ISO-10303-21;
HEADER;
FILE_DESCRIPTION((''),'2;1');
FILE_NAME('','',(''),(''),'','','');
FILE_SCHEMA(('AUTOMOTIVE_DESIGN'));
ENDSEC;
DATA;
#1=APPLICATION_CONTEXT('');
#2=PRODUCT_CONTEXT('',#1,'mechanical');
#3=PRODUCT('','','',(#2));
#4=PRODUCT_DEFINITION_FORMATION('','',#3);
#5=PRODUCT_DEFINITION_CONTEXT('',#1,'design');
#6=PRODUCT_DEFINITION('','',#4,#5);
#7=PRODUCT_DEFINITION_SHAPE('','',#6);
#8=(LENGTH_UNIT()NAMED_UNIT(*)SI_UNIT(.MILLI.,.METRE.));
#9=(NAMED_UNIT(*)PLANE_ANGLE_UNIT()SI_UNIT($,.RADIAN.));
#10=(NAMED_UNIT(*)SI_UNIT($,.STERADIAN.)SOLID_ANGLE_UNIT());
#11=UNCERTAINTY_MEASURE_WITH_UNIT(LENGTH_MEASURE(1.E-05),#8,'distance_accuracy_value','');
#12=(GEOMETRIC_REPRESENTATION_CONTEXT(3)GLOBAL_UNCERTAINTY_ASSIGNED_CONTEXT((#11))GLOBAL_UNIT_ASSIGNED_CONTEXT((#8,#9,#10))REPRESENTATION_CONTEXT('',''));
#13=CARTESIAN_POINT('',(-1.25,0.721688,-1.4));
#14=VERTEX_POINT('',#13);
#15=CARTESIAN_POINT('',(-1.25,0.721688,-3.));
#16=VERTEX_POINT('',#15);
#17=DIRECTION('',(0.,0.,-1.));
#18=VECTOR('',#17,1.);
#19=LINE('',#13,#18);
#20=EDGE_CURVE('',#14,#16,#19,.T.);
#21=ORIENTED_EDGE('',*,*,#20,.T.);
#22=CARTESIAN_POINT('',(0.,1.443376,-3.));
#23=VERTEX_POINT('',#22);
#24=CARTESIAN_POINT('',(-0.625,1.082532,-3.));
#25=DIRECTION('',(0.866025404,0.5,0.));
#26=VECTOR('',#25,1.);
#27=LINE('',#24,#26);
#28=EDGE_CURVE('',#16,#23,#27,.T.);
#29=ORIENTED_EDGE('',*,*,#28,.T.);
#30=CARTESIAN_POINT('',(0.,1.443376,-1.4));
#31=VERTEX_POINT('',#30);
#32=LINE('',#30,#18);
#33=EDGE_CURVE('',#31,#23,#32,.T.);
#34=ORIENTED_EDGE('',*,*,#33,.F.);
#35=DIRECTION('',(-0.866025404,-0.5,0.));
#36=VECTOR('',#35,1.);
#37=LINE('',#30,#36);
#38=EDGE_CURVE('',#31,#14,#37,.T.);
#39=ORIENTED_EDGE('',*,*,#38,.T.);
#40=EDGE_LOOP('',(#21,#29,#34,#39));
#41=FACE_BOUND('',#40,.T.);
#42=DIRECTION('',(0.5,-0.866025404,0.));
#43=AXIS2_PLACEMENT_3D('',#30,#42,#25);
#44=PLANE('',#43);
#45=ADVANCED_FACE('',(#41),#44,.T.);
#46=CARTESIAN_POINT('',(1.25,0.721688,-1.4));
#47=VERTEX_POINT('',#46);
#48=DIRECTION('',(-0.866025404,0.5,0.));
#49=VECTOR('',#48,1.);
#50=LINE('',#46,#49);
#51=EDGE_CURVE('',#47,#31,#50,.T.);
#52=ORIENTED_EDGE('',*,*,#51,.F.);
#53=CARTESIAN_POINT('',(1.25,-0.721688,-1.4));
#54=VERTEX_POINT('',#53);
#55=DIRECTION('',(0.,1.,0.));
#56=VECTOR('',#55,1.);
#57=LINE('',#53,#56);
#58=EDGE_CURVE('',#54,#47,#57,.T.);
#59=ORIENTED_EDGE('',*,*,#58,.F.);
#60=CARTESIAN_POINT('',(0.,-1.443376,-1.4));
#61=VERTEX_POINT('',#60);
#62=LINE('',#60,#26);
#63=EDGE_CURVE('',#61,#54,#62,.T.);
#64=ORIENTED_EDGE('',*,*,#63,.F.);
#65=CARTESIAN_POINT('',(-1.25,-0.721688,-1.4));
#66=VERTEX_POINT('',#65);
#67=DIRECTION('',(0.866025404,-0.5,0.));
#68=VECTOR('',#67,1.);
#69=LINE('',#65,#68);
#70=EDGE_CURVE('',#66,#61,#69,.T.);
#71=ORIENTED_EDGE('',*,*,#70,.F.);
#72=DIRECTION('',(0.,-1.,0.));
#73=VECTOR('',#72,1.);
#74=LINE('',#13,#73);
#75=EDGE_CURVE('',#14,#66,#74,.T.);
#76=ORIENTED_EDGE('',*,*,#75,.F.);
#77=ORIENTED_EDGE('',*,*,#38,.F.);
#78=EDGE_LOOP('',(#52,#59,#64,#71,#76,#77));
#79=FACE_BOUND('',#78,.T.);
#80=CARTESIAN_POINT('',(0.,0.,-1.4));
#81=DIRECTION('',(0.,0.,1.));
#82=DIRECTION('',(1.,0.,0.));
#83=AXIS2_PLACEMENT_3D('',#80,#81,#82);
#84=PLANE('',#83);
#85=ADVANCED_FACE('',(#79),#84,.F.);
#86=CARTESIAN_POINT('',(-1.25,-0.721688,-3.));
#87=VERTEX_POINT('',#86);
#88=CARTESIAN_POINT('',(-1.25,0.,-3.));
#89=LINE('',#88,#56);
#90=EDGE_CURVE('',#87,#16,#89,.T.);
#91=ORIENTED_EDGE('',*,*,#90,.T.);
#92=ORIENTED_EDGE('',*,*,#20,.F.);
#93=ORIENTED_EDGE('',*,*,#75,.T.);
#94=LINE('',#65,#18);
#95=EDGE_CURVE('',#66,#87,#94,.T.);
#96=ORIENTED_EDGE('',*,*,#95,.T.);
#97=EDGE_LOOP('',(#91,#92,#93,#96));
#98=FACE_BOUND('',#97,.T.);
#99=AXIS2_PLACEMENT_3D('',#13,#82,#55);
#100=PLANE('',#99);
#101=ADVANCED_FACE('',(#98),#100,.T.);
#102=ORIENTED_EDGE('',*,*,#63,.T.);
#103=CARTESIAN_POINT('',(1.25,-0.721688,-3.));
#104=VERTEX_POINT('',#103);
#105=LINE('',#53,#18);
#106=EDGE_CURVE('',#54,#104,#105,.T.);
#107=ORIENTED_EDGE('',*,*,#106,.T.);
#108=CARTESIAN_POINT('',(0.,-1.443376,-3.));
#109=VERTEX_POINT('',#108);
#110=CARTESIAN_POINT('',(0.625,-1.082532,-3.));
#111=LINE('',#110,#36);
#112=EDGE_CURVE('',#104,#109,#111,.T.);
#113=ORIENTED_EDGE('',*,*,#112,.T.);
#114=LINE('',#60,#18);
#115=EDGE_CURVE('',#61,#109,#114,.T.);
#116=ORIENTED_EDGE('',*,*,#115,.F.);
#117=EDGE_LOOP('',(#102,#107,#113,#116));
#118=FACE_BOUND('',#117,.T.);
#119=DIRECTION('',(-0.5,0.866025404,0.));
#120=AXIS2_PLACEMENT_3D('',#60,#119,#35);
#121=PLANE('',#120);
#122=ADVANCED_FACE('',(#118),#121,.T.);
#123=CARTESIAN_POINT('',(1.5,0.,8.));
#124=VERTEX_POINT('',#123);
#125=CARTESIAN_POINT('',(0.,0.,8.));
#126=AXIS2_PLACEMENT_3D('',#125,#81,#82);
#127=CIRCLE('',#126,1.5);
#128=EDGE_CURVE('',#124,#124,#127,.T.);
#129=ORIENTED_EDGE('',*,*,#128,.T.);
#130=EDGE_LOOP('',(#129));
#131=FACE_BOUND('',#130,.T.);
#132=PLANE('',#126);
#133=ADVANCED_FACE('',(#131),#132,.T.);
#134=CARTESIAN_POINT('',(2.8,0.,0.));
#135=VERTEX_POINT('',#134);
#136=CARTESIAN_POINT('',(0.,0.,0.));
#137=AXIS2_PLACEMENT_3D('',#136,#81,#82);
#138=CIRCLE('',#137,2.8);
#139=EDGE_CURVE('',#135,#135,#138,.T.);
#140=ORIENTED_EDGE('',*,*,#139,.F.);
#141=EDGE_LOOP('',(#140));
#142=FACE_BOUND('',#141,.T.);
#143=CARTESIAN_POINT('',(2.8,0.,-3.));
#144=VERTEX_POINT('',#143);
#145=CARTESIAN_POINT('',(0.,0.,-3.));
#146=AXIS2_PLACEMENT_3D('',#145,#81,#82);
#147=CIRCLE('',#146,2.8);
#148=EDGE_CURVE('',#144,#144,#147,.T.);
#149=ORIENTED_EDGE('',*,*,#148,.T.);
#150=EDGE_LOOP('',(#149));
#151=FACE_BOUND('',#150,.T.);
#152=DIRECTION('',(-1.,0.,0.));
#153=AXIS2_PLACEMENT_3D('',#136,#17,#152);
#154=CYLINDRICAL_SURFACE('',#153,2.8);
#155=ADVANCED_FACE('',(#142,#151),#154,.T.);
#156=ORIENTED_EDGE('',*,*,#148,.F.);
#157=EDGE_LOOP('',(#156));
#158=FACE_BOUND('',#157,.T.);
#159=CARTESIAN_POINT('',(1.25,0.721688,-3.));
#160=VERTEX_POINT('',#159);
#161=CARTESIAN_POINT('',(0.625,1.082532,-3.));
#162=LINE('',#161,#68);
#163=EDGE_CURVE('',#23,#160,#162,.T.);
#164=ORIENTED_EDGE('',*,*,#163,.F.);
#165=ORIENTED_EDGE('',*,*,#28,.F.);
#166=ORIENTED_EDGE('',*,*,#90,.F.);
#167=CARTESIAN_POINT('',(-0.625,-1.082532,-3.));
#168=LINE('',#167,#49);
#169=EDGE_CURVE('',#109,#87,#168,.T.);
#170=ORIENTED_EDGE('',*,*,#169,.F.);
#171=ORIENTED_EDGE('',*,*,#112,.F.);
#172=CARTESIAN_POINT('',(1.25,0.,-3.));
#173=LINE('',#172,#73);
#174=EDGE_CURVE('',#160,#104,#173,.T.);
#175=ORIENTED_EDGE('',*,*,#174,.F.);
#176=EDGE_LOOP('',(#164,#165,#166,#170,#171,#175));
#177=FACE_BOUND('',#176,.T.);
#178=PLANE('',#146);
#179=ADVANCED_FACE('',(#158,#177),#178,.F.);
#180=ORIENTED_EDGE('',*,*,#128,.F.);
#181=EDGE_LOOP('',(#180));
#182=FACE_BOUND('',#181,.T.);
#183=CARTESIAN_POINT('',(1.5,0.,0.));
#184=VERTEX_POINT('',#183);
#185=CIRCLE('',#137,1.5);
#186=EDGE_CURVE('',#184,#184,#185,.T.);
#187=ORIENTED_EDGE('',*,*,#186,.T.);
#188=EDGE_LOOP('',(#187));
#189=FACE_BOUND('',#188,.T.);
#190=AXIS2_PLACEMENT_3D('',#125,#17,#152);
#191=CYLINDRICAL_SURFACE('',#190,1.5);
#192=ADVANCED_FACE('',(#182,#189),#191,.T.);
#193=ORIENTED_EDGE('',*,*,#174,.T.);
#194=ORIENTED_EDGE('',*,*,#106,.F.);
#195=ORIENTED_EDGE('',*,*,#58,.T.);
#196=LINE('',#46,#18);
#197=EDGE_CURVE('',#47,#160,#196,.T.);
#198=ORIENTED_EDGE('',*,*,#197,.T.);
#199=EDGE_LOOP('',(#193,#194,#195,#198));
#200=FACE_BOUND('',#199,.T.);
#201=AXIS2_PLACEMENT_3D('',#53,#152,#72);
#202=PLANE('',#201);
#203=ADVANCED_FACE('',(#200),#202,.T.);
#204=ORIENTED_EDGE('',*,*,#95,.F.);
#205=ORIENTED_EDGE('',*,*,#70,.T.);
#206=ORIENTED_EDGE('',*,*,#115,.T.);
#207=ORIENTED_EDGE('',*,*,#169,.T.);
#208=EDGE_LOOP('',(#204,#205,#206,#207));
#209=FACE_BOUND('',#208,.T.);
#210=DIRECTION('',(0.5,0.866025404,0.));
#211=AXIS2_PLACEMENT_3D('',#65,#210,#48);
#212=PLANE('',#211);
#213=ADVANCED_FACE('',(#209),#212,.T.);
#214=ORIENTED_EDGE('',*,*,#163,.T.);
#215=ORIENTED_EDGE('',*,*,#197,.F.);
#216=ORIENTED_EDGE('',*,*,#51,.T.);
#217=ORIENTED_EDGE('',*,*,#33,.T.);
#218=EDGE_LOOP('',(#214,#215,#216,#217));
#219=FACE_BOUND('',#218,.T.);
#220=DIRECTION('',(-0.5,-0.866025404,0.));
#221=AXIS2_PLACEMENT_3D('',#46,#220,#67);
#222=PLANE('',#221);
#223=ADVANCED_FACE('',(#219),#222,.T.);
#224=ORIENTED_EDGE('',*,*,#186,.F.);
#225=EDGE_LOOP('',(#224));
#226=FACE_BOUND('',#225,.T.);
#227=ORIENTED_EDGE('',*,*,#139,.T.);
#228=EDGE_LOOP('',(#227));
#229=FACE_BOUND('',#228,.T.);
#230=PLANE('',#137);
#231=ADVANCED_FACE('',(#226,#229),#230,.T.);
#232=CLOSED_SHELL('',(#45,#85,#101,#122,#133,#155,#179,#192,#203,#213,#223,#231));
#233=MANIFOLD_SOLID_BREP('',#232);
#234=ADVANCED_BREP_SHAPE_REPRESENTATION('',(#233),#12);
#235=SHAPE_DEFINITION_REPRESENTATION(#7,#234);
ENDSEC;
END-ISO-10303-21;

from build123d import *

# Parameters (mm, degrees)
HEAD_START       = -3
SKETCH1_R        = 2.8
HEAD_DEPTH       = 3
SKETCH2_R        = 1.5
SHANK_DEPTH      = 8
HEX_START        = -3.2
HEX_SOCKET_DEPTH = 1.8


with BuildPart() as part:
    # Sketch1 → Head (new body)
    with BuildSketch(Plane.XY.offset(HEAD_START)):
        Circle(SKETCH1_R)
    extrude(amount=HEAD_DEPTH)

    # Sketch2 → Shank (add)
    with BuildSketch(Plane.XY):
        Circle(SKETCH2_R)
    extrude(amount=SHANK_DEPTH)

    # Sketch3 → Hex socket (cut)
    with BuildSketch(Plane.XY.offset(HEX_START)):
        Polygon((1.25, 0.721687836), (0, 1.443375673), (-1.25, 0.721687836), (-1.25, -0.721687836), (0, -1.443375673), (1.25, -0.721687836), align=None)
    extrude(amount=HEX_SOCKET_DEPTH, mode=Mode.SUBTRACT)


solid = part.part
